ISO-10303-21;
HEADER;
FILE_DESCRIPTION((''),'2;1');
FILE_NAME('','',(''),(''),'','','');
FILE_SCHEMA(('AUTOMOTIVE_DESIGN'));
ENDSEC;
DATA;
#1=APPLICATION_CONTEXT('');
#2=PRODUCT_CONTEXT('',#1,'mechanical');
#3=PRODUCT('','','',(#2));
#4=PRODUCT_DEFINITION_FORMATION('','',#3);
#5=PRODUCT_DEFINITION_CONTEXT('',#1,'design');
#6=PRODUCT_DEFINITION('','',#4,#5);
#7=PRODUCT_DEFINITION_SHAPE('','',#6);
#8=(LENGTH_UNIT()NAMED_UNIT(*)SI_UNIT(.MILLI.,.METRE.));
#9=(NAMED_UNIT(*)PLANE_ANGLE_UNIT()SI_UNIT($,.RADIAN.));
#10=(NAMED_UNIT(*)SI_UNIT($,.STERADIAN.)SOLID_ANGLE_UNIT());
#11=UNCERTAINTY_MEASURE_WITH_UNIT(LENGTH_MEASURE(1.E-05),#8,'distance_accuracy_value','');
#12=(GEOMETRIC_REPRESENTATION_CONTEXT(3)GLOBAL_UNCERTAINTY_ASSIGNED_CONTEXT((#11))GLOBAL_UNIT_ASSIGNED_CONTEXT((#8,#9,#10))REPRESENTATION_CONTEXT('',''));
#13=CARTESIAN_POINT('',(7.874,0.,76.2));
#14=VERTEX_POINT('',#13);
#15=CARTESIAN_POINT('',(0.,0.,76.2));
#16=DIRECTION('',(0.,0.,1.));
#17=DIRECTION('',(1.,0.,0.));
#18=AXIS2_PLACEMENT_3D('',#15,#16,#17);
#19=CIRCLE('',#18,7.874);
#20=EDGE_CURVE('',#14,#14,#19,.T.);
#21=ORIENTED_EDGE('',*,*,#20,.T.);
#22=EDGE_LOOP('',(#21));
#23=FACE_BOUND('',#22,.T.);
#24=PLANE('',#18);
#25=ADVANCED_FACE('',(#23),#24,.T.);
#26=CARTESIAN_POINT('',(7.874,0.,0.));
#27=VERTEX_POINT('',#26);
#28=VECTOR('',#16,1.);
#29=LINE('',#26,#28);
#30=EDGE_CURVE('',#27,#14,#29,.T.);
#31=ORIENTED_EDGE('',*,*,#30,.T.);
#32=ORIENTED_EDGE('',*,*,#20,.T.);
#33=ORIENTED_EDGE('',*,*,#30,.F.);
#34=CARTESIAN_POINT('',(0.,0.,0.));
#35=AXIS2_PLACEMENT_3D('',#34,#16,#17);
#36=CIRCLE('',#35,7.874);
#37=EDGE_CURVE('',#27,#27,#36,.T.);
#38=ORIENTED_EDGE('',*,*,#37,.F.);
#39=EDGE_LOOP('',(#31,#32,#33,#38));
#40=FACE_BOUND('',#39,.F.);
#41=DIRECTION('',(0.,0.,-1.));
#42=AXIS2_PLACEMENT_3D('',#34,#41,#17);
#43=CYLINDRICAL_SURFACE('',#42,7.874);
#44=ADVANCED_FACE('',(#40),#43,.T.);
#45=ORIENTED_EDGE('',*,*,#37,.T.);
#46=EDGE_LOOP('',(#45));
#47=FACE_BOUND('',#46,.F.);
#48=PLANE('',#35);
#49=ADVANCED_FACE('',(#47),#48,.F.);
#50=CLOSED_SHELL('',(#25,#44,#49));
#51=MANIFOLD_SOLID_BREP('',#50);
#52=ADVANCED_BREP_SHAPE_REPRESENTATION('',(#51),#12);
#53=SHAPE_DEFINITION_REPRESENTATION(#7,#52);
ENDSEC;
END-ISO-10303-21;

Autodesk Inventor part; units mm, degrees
ref_plane "YZ Plane" through (0, 0, 0) normal (1, 0, 0) x (0, 1, 0)
ref_plane "XZ Plane" through (0, 0, 0) normal (0, 1, 0) x (-1, 0, 0)
ref_plane "XY Plane" through (0, 0, 0) normal (0, 0, 1) x (1, 0, 0)
sketch "Sketch1" plane through (0, 0, 0) normal (0, 0, 1) x (1, 0, 0)
  circle A0 centre (0, 0) radius 7.874
  dimension "d0" = 15.748
extrude "Extrusion1" add sketch "Sketch1" along normal blind 76.2
properties part number "Igus Rod"
